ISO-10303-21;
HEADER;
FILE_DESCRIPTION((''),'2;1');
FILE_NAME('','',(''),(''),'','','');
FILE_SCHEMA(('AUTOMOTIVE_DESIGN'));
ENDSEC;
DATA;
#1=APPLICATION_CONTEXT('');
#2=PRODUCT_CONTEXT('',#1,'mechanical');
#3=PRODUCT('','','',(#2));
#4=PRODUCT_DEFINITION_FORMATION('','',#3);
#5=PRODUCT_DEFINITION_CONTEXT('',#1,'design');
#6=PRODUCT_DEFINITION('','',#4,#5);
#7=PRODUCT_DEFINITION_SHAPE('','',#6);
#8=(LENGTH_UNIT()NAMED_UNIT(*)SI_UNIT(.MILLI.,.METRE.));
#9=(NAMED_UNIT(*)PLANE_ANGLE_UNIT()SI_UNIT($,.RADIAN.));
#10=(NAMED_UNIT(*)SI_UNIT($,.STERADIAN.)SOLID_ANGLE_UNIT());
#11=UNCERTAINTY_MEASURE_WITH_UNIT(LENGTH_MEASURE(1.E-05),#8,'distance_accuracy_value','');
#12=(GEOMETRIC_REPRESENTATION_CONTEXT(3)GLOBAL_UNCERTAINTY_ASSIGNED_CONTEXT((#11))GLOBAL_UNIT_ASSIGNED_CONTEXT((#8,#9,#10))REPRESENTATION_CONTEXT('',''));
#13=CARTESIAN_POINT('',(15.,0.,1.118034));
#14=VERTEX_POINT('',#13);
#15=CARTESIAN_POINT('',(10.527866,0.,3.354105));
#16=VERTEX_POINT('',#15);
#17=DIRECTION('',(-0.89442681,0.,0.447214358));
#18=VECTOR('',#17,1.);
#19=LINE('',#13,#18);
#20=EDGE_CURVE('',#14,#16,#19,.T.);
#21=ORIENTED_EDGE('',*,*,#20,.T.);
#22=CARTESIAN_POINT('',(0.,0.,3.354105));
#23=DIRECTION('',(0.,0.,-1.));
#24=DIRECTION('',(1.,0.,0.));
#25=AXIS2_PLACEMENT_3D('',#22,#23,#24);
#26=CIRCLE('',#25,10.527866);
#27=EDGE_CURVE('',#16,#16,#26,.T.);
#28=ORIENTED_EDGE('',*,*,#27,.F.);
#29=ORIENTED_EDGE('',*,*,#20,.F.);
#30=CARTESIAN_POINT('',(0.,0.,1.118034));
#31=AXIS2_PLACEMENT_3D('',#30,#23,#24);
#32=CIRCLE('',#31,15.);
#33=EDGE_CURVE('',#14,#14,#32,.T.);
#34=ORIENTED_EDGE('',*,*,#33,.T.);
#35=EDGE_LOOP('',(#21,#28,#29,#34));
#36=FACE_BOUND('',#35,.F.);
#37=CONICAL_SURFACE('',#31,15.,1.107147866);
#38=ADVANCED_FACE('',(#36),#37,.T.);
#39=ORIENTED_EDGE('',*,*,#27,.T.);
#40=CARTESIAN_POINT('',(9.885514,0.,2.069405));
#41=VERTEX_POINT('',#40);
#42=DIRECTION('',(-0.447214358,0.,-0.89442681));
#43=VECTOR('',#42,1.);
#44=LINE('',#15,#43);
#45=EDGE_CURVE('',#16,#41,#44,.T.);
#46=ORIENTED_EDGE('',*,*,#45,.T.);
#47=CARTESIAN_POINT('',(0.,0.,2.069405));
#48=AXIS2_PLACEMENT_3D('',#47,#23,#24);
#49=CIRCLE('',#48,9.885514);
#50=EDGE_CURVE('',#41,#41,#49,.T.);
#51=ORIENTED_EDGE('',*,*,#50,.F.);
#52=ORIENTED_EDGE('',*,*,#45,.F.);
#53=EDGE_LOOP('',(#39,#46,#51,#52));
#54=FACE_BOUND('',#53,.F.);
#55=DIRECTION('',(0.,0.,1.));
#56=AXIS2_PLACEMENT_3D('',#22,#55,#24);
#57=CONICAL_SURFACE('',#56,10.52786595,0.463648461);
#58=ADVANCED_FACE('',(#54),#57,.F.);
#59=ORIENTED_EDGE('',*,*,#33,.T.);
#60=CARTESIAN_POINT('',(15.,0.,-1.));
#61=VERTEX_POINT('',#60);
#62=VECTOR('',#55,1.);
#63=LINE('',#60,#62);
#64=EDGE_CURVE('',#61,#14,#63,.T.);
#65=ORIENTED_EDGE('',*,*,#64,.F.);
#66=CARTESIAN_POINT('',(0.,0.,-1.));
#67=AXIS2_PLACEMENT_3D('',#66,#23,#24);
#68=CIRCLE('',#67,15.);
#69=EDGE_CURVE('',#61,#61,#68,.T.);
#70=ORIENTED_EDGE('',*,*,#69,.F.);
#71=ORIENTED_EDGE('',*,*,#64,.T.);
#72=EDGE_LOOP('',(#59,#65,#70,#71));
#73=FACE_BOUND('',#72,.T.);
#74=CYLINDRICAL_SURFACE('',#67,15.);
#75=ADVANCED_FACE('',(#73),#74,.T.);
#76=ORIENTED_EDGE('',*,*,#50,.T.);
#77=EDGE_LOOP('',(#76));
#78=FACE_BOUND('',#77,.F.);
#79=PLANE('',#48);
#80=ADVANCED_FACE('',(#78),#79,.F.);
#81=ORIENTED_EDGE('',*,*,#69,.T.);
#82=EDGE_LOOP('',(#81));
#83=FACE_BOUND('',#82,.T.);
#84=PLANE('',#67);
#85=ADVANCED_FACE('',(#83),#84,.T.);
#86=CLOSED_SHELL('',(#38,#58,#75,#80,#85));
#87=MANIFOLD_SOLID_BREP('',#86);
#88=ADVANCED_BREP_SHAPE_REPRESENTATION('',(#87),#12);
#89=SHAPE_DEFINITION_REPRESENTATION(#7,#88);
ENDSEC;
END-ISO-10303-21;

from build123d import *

# Parameters (mm, degrees)
F3_R   = 15
F3_R_2 = 13.9409809878


with BuildPart() as f2:
    # F1 (on Front) → F2 (revolve)
    with BuildSketch(Plane.XZ):
        Polygon((10.5278659504, 3.3541053007), (9.8855143504, 2.0694048376), (0, 2.0694048376), (0, -1), (13.9409809878, -1), (15, 1.1180335124), align=None)
    revolve(axis=Axis((0, 0, 3.5065211123), (0, 0, -1)))

    # F3 (on face) → F4 (join, up to the next surface of F2)
    with BuildSketch(Plane(origin=(0, 0, -1), x_dir=(1, 0, 0), z_dir=(0, 0, -1))):
        Circle(F3_R)
        Circle(F3_R_2, mode=Mode.SUBTRACT)
    extrude(until=Until.NEXT, dir=(0, 0, 1))


solid = f2.part
